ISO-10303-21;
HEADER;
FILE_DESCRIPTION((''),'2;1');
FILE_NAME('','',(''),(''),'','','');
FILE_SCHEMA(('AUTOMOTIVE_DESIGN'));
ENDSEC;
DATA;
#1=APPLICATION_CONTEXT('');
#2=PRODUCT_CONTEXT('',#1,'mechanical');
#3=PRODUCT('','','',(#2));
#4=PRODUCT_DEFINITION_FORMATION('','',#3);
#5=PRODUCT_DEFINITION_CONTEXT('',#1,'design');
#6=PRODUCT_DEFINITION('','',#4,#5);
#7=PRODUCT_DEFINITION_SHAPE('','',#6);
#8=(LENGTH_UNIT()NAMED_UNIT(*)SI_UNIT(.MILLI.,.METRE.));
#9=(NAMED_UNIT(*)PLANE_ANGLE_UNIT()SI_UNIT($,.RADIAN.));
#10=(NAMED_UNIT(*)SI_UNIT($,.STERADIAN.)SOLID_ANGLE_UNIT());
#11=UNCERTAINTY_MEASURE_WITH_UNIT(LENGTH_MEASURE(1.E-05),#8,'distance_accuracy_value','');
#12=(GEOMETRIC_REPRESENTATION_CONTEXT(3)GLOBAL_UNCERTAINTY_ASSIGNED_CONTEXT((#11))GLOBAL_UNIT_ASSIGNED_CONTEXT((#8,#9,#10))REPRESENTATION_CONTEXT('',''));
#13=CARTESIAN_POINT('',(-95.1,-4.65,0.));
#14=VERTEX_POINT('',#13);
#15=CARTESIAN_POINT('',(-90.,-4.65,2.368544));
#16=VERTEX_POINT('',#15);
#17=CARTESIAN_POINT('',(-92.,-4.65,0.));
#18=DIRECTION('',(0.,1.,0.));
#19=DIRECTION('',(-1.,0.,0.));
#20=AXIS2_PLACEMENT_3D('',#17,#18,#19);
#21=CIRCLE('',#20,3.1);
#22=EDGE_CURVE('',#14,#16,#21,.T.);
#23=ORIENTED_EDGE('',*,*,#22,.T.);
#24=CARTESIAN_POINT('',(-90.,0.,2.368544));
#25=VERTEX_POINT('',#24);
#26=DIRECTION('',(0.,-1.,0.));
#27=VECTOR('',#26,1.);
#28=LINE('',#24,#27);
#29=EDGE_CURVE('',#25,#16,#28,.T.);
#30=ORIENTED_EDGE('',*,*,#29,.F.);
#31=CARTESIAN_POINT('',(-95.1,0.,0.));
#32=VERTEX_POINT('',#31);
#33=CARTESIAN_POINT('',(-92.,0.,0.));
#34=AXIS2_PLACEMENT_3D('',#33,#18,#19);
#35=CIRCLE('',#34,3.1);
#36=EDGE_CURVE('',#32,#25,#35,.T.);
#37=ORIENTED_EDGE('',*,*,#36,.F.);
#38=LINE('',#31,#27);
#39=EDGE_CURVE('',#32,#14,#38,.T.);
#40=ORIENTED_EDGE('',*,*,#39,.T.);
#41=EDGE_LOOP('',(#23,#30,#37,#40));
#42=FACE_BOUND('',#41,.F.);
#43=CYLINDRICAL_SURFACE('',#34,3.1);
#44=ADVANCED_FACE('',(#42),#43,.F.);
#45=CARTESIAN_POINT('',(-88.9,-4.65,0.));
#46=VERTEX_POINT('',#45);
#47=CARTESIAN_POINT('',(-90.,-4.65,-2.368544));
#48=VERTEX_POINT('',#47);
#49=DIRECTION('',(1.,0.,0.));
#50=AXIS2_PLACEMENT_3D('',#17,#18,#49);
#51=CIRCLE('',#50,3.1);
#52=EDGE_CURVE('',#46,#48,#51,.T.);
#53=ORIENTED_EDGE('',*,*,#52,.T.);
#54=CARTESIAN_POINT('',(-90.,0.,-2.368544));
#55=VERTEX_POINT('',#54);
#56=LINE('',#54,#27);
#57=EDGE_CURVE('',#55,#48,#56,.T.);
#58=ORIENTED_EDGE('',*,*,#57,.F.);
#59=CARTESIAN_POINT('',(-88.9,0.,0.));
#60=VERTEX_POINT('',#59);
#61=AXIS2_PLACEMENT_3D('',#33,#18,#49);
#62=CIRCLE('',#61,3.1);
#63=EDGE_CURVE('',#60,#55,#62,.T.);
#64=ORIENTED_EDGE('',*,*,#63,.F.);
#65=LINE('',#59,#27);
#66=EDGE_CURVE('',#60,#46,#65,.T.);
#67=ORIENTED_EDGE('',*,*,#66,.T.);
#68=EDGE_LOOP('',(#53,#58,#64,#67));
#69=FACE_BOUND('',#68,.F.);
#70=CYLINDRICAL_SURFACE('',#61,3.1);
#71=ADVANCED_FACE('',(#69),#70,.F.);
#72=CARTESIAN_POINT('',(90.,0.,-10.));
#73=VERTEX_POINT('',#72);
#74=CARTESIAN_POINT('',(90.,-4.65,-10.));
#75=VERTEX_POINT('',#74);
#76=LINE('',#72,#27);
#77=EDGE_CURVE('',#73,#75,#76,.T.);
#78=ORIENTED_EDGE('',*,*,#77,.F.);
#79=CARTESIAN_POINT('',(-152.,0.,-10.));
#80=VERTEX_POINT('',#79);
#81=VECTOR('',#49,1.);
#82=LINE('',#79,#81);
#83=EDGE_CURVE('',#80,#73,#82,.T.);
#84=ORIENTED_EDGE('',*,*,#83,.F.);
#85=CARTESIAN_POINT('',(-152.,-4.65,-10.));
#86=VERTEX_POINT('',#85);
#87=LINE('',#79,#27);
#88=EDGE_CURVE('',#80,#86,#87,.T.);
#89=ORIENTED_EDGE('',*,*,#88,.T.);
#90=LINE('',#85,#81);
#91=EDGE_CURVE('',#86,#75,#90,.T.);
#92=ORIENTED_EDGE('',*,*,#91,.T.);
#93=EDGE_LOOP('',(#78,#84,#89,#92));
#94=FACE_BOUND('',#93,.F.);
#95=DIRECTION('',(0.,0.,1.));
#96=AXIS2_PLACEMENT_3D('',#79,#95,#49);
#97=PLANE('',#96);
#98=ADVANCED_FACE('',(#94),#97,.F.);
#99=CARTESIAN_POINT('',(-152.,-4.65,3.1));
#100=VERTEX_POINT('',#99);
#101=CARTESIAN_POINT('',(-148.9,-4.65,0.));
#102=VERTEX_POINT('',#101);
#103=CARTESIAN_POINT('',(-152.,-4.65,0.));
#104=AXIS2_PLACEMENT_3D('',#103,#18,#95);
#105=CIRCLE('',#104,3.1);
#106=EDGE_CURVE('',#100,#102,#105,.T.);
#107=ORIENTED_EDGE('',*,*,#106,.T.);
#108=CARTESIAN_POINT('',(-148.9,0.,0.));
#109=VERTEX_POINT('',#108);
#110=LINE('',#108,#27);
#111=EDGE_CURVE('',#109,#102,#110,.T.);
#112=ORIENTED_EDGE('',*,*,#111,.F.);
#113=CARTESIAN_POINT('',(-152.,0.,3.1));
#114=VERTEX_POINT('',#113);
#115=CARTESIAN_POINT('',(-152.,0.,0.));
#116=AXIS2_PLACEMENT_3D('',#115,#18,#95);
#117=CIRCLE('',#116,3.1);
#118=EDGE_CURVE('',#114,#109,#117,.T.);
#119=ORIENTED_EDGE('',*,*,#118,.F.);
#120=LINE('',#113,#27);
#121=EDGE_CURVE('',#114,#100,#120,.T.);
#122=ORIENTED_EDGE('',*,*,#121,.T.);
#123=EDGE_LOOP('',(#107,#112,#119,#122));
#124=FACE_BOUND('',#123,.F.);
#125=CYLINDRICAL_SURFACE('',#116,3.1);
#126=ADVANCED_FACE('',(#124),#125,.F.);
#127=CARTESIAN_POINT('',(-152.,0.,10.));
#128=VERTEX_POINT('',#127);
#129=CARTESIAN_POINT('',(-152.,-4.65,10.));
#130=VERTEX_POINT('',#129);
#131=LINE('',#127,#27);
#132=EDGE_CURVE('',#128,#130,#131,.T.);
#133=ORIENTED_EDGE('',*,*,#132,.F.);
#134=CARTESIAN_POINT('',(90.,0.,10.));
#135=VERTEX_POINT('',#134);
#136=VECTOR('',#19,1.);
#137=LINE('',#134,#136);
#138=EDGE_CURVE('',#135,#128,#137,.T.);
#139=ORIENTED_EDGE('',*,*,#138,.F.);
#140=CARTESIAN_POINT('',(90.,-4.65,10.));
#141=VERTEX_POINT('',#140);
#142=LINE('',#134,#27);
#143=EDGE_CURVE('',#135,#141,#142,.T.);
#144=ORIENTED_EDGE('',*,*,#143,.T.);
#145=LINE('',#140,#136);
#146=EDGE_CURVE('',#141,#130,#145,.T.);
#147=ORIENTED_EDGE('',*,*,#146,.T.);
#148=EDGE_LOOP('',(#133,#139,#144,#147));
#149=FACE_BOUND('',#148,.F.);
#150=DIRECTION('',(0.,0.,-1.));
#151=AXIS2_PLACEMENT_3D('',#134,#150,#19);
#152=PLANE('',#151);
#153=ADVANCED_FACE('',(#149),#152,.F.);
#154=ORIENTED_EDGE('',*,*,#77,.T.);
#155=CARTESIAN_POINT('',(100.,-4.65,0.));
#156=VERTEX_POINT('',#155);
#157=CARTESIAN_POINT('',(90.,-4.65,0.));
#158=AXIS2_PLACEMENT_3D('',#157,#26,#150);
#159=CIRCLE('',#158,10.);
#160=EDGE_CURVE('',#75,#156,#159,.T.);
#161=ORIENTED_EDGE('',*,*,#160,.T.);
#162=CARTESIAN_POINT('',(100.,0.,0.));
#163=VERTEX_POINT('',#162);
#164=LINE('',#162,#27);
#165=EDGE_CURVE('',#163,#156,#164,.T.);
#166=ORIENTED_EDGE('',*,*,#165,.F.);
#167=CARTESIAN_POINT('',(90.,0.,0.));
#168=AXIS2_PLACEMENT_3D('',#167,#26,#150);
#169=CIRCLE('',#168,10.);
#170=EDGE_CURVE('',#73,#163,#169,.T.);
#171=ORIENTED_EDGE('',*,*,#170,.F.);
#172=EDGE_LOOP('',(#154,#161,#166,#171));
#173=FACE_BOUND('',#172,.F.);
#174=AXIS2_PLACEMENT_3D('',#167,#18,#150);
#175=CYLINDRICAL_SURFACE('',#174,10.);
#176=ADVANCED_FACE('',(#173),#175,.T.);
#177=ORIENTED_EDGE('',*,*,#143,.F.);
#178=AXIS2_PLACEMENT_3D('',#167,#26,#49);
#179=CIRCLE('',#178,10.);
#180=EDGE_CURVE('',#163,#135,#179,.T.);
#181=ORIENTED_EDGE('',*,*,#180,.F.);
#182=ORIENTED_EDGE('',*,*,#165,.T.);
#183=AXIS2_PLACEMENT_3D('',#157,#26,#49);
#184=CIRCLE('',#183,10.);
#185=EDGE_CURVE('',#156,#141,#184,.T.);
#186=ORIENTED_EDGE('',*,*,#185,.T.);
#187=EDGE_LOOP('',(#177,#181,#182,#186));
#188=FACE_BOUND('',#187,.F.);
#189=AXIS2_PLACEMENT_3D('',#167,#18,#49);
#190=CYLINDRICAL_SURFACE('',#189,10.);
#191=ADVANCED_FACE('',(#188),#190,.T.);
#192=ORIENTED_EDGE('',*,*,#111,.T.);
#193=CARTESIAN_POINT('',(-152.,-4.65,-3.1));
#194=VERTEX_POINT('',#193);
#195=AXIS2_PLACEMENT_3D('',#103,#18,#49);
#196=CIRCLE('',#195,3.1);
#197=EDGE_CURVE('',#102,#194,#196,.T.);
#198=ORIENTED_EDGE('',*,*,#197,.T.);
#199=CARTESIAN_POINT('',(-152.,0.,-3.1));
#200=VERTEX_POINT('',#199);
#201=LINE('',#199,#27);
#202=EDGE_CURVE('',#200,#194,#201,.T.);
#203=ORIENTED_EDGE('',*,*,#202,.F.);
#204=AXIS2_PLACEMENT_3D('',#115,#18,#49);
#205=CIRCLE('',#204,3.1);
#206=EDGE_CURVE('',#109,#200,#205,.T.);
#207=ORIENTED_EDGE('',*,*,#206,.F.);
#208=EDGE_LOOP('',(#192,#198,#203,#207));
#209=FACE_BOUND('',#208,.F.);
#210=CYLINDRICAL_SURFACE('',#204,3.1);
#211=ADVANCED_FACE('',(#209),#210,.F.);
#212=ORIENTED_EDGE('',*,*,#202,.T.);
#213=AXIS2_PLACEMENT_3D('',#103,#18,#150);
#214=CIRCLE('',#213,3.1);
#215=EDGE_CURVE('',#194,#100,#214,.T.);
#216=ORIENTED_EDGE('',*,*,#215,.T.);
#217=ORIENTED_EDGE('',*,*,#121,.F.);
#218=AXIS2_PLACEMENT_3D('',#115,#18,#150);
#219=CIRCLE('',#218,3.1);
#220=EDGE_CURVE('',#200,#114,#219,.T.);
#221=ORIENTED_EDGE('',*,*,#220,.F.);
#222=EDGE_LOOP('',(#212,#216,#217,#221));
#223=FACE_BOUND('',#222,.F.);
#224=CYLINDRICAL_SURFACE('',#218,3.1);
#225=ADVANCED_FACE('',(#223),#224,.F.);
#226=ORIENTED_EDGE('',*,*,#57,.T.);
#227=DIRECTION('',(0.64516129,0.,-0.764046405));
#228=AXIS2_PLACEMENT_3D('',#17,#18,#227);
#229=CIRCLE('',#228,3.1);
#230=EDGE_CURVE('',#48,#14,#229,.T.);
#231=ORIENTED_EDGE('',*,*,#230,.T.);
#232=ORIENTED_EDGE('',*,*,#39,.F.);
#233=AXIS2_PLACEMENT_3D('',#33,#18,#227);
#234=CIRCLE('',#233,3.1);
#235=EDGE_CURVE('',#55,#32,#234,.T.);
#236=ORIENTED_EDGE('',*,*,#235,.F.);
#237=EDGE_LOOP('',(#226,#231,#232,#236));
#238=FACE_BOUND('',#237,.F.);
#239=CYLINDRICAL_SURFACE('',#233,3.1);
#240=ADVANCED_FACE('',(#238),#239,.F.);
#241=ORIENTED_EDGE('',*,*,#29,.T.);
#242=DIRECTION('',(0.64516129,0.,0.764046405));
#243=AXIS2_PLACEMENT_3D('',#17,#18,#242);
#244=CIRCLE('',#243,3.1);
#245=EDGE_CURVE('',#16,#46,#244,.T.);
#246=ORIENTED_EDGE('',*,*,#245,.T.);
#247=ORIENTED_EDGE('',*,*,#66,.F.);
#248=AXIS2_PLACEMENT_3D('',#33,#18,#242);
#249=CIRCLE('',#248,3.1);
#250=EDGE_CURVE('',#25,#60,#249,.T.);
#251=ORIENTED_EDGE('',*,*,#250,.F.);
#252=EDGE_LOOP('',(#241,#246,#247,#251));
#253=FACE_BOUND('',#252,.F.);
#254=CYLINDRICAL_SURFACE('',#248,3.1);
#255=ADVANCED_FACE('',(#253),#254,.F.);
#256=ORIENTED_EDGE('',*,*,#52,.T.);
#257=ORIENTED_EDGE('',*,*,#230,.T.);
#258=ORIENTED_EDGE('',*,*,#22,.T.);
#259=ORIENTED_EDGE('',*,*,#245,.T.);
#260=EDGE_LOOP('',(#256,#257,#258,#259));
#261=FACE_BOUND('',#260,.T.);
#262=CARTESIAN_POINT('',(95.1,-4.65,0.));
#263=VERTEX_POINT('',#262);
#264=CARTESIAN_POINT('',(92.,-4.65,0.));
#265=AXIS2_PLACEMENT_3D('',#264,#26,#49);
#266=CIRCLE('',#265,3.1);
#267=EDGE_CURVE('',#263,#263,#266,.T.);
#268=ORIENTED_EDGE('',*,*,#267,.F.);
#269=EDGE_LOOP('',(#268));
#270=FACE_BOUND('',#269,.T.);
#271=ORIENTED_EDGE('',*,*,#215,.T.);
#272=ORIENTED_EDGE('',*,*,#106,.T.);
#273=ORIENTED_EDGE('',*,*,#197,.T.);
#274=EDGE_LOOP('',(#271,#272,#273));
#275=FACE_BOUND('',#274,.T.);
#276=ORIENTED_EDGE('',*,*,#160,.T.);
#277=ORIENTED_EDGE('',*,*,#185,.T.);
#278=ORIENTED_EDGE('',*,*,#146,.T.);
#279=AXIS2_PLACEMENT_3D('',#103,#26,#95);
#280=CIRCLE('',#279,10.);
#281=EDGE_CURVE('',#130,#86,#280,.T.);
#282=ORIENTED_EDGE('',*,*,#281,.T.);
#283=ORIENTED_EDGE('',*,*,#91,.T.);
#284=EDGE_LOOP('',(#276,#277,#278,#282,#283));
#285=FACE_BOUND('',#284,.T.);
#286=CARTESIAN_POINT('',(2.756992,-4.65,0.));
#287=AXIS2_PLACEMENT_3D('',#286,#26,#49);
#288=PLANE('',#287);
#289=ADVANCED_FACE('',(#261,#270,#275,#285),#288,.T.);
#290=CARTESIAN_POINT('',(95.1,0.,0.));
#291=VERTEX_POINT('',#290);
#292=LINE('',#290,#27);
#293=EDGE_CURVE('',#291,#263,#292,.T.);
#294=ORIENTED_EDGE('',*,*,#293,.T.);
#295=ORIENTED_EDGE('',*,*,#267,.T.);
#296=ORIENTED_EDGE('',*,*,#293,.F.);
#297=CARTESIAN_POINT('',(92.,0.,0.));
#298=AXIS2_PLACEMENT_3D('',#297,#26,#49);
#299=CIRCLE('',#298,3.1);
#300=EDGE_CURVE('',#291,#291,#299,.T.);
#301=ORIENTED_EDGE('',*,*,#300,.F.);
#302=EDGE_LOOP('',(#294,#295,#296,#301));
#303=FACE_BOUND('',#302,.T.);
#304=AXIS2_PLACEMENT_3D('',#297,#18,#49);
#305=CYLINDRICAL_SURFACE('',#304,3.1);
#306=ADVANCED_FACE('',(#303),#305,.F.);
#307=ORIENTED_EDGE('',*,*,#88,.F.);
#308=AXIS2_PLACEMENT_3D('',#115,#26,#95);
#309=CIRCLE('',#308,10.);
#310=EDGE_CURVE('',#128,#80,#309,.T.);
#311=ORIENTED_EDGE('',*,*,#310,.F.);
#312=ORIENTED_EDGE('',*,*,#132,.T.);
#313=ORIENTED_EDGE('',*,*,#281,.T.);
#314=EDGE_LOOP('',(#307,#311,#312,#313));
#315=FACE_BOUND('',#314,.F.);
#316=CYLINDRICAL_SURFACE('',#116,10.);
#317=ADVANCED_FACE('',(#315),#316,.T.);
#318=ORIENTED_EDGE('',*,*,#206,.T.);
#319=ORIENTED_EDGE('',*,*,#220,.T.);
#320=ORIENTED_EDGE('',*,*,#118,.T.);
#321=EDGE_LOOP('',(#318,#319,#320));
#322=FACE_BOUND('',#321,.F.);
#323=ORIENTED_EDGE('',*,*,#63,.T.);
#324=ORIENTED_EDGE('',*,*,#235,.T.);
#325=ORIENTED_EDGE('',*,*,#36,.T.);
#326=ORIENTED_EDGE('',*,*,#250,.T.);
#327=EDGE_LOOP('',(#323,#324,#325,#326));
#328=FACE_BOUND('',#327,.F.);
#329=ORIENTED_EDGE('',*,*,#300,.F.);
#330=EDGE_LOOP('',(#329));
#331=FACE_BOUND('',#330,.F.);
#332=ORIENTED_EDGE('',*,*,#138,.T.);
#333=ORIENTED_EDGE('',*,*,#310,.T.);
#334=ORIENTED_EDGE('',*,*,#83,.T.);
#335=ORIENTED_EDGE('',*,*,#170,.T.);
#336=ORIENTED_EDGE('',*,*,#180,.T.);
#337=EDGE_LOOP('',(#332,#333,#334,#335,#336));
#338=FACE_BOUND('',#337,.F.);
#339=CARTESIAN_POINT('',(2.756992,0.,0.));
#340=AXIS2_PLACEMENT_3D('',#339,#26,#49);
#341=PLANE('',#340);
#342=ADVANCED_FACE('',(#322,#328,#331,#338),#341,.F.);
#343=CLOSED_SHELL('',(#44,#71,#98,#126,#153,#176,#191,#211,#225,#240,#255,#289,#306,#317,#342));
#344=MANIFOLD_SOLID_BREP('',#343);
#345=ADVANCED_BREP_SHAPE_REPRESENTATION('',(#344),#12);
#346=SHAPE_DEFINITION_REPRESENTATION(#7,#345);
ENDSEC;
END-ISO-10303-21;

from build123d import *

# Parameters (mm, degrees)
F0_R     = 3.1
F1_DEPTH = 4.65


with BuildPart() as f1:
    # F0 (on Front) → F1 (new body)
    with BuildSketch(Plane.XZ):
        with BuildLine():
            ThreePointArc((100, 0), (97.0710678119, 7.0710678119), (90, 10))
            Line((90, 10), (-90, 10))
            Line((-90, 10), (-90, 2.3685438565))
            ThreePointArc((-90, 2.3685438565), (-89.1884168161, 1.3057564857), (-88.9, 0))
            ThreePointArc((-88.9, 0), (-89.1884168161, -1.3057564857), (-90, -2.3685438565))
            Line((-90, -2.3685438565), (-90, -10))
            Line((-90, -10), (90, -10))
            ThreePointArc((90, -10), (97.0710678119, -7.0710678119), (100, 0))
        make_face()
        with Locations((92, 0)):
            Circle(F0_R, mode=Mode.SUBTRACT)
        with BuildLine():
            Line((-90, 2.3685438565), (-90, 10))
            Line((-90, 10), (-100, 10))
            Line((-100, 10), (-100, 0))
            Line((-100, 0), (-95.1, 0))
            ThreePointArc((-95.1, 0), (-93.3057564857, 2.8115831839), (-90, 2.3685438565))
        make_face()
        with BuildLine():
            Line((-100, 0), (-100, 10))
            Line((-100, 10), (-152, 10))
            Line((-152, 10), (-152, 3.1))
            ThreePointArc((-152, 3.1), (-149.8079689783, 2.1920310217), (-148.9, 0))
            ThreePointArc((-148.9, 0), (-149.8079689783, -2.1920310217), (-152, -3.1))
            Line((-152, -3.1), (-152, -10))
            Line((-152, -10), (-100, -10))
            Line((-100, -10), (-100, 0))
        make_face()
        with BuildLine():
            Line((-95.1, 0), (-100, 0))
            Line((-100, 0), (-100, -10))
            Line((-100, -10), (-90, -10))
            Line((-90, -10), (-90, -2.3685438565))
            ThreePointArc((-90, -2.3685438565), (-93.3057564857, -2.8115831839), (-95.1, 0))
        make_face()
        with BuildLine():
            Line((-152, 3.1), (-152, 10))
            ThreePointArc((-152, 10), (-162, 0), (-152, -10))
            Line((-152, -10), (-152, -3.1))
            ThreePointArc((-152, -3.1), (-155.1, 0), (-152, 3.1))
        make_face()
    extrude(amount=F1_DEPTH)


solid = f1.part
